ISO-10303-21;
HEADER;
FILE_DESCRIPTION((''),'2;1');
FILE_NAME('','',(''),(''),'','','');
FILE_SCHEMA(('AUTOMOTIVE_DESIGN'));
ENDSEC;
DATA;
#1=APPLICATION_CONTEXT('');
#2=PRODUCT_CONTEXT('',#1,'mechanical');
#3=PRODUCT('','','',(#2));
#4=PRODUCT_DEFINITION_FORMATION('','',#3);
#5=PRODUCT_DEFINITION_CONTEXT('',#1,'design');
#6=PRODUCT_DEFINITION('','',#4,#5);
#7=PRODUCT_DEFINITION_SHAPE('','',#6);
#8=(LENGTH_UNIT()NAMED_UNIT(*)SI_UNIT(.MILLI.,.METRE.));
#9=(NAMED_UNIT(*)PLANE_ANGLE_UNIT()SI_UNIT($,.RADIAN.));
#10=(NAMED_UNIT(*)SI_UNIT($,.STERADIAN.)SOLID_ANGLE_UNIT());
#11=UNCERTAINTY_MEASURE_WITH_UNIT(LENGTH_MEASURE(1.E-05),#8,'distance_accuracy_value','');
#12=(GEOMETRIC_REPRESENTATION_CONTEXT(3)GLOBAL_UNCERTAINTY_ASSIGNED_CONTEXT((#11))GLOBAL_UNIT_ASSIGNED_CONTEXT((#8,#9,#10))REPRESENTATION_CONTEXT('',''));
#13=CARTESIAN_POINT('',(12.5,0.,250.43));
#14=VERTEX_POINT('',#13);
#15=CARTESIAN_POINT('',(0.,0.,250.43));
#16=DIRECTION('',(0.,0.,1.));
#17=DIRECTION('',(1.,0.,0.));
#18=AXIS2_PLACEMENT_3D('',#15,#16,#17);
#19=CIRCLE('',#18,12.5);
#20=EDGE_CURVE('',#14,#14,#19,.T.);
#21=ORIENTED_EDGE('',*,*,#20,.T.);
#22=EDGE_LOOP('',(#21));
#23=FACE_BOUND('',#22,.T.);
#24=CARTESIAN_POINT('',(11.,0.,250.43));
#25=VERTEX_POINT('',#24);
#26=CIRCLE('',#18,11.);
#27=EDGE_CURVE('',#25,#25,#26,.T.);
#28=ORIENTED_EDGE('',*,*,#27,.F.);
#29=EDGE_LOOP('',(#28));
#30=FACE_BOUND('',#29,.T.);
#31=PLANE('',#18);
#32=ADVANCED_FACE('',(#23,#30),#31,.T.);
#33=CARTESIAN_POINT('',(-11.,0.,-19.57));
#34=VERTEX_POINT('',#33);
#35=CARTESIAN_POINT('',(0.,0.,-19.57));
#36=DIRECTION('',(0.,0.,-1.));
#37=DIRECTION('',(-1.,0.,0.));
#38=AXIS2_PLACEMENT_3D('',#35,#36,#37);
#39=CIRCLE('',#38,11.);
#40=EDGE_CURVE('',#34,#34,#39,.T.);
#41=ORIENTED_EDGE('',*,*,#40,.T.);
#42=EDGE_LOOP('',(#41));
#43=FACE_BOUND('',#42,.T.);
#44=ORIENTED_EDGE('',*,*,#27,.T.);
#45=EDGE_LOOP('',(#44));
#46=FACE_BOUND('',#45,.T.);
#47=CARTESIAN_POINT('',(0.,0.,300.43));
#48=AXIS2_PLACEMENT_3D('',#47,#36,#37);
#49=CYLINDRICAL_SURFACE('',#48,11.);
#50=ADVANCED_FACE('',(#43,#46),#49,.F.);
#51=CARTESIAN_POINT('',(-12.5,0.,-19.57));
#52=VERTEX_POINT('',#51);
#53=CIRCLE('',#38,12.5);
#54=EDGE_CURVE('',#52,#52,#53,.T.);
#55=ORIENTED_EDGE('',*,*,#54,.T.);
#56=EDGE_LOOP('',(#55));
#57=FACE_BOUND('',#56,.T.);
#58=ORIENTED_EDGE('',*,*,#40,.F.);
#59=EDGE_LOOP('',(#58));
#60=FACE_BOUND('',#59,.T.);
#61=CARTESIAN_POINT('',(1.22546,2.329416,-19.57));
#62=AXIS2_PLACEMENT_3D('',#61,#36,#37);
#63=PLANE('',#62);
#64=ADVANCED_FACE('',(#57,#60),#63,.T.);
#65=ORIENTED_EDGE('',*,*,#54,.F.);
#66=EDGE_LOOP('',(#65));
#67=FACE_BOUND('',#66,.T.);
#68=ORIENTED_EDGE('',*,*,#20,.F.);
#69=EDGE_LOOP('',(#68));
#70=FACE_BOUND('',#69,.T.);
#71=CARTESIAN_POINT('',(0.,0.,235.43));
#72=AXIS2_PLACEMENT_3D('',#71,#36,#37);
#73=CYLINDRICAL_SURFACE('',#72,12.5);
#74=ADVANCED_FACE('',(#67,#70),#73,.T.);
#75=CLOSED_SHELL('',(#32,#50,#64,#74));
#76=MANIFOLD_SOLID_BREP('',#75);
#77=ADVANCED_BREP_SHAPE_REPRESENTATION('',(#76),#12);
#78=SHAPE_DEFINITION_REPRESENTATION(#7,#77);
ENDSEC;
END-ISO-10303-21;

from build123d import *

# Parameters (mm, degrees)
SKETCH_1_R          = 12.5
EXTRUDE_2_DEPTH     = 235.43
SKETCH_2_R          = 9
CUT_EXTRUDE_1_DEPTH = 235.43
EXTRUDE_START       = 15.57
SKETCH_3_R          = 12.5
EXTRUDE_3_DEPTH     = 15.57
SKETCH_4_R          = 9
CUT_EXTRUDE_2_DEPTH = 20
EXTRUDE_START_2     = 9.93
SKETCH_5_R          = 12.5
EXTRUDE_4_DEPTH     = 9.93
SKETCH_6_R          = 9
CUT_EXTRUDE_3_DEPTH = 10
SKETCH_7_R          = 26.85848727
CUT_EXTRUDE_4_DEPTH = 14.93
SKETCH_8_R          = 12.5
EXTRUDE_5_DEPTH     = 9.93
SKETCH_9_R          = 9
CUT_EXTRUDE_5_DEPTH = 10
SKETCH_10_R         = 37.193394561
CUT_EXTRUDE_6_DEPTH = 0.22
SKETCH_11_R         = 43.187188263
CUT_EXTRUDE_7_DEPTH = 0.71
SKETCH_12_R         = 12.5
EXTRUDE_6_DEPTH     = 15
CUT_EXTRUDE_START   = -15
SKETCH_13_R         = 9
CUT_EXTRUDE_8_DEPTH = 15
SKETCH_14_R         = 11
CUT_EXTRUDE_9_DEPTH = 320


with BuildPart() as part:
    # 草图1 → 凸台-拉伸2 (new body)
    with BuildSketch(Plane.XY):
        Circle(SKETCH_1_R)
    extrude(amount=EXTRUDE_2_DEPTH)

    # 草图2 → 切除-拉伸1 (cut)
    with BuildSketch(Plane(origin=(0, 0, 0), x_dir=(-1, 0, 0), z_dir=(0, 0, -1))):
        Circle(SKETCH_2_R)
    extrude(amount=-CUT_EXTRUDE_1_DEPTH, mode=Mode.SUBTRACT)

    # 草图3 → 凸台-拉伸3 (add)
    with BuildSketch(Plane(origin=(0, 0, 0), x_dir=(-1, 0, 0), z_dir=(0, 0, -1)).offset(EXTRUDE_START)):
        Circle(SKETCH_3_R)
    extrude(amount=-EXTRUDE_3_DEPTH)

    # 草图4 → 切除-拉伸2 (cut)
    with BuildSketch(Plane(origin=(0, 0, -15.57), x_dir=(-1, 0, 0), z_dir=(0, 0, -1))):
        Circle(SKETCH_4_R)
    extrude(amount=-CUT_EXTRUDE_2_DEPTH, mode=Mode.SUBTRACT)

    # 草图5 → 凸台-拉伸4 (add)
    with BuildSketch(Plane(origin=(0, 0, -15.57), x_dir=(-1, 0, 0), z_dir=(0, 0, -1)).offset(EXTRUDE_START_2)):
        Circle(SKETCH_5_R)
    extrude(amount=-EXTRUDE_4_DEPTH)

    # 草图6 → 切除-拉伸3 (cut)
    with BuildSketch(Plane(origin=(0, 0, -25.5), x_dir=(-1, 0, 0), z_dir=(0, 0, -1))):
        Circle(SKETCH_6_R)
    extrude(amount=-CUT_EXTRUDE_3_DEPTH, mode=Mode.SUBTRACT)

    # 草图7 → 切除-拉伸4 (cut)
    with BuildSketch(Plane(origin=(0, 0, -25.5), x_dir=(-1, 0, 0), z_dir=(0, 0, -1))):
        Circle(SKETCH_7_R)
    extrude(amount=-CUT_EXTRUDE_4_DEPTH, mode=Mode.SUBTRACT)

    # 草图8 → 凸台-拉伸5 (add)
    with BuildSketch(Plane(origin=(0, 0, -10.57), x_dir=(-1, 0, 0), z_dir=(0, 0, -1)).offset(EXTRUDE_START_2)):
        Circle(SKETCH_8_R)
    extrude(amount=-EXTRUDE_5_DEPTH)

    # 草图9 → 切除-拉伸5 (cut)
    with BuildSketch(Plane(origin=(0, 0, -20.5), x_dir=(-1, 0, 0), z_dir=(0, 0, -1))):
        Circle(SKETCH_9_R)
    extrude(amount=-CUT_EXTRUDE_5_DEPTH, mode=Mode.SUBTRACT)

    # 草图10 → 切除-拉伸6 (cut)
    with BuildSketch(Plane(origin=(0, 0, -20.5), x_dir=(-1, 0, 0), z_dir=(0, 0, -1))):
        with Locations((7.201744855, 7.507888779)):
            Circle(SKETCH_10_R)
    extrude(amount=-CUT_EXTRUDE_6_DEPTH, mode=Mode.SUBTRACT)

    # 草图11 → 切除-拉伸7 (cut)
    with BuildSketch(Plane(origin=(0, 0, -20.28), x_dir=(-1, 0, 0), z_dir=(0, 0, -1))):
        with Locations((-1.225460352, 2.329416421)):
            Circle(SKETCH_11_R)
    extrude(amount=-CUT_EXTRUDE_7_DEPTH, mode=Mode.SUBTRACT)

    # 草图12 → 凸台-拉伸6 (add)
    with BuildSketch(Plane.XY.offset(235.43)):
        with Locations(Location((0, 0, 0), (0, 0, 180))):
            Circle(SKETCH_12_R)
    extrude(amount=EXTRUDE_6_DEPTH)

    # 草图13 → 切除-拉伸8 (cut)
    with BuildSketch(Plane.XY.offset(250.43).offset(CUT_EXTRUDE_START)):
        with Locations(Location((0, 0, 0), (0, 0, 180))):
            Circle(SKETCH_13_R)
    extrude(amount=CUT_EXTRUDE_8_DEPTH, mode=Mode.SUBTRACT)

    # 草图14 → 切除-拉伸9 (cut)
    with BuildSketch(Plane(origin=(0, 0, -19.57), x_dir=(-1, 0, 0), z_dir=(0, 0, -1))):
        Circle(SKETCH_14_R)
    extrude(amount=-CUT_EXTRUDE_9_DEPTH, mode=Mode.SUBTRACT)


solid = part.part
